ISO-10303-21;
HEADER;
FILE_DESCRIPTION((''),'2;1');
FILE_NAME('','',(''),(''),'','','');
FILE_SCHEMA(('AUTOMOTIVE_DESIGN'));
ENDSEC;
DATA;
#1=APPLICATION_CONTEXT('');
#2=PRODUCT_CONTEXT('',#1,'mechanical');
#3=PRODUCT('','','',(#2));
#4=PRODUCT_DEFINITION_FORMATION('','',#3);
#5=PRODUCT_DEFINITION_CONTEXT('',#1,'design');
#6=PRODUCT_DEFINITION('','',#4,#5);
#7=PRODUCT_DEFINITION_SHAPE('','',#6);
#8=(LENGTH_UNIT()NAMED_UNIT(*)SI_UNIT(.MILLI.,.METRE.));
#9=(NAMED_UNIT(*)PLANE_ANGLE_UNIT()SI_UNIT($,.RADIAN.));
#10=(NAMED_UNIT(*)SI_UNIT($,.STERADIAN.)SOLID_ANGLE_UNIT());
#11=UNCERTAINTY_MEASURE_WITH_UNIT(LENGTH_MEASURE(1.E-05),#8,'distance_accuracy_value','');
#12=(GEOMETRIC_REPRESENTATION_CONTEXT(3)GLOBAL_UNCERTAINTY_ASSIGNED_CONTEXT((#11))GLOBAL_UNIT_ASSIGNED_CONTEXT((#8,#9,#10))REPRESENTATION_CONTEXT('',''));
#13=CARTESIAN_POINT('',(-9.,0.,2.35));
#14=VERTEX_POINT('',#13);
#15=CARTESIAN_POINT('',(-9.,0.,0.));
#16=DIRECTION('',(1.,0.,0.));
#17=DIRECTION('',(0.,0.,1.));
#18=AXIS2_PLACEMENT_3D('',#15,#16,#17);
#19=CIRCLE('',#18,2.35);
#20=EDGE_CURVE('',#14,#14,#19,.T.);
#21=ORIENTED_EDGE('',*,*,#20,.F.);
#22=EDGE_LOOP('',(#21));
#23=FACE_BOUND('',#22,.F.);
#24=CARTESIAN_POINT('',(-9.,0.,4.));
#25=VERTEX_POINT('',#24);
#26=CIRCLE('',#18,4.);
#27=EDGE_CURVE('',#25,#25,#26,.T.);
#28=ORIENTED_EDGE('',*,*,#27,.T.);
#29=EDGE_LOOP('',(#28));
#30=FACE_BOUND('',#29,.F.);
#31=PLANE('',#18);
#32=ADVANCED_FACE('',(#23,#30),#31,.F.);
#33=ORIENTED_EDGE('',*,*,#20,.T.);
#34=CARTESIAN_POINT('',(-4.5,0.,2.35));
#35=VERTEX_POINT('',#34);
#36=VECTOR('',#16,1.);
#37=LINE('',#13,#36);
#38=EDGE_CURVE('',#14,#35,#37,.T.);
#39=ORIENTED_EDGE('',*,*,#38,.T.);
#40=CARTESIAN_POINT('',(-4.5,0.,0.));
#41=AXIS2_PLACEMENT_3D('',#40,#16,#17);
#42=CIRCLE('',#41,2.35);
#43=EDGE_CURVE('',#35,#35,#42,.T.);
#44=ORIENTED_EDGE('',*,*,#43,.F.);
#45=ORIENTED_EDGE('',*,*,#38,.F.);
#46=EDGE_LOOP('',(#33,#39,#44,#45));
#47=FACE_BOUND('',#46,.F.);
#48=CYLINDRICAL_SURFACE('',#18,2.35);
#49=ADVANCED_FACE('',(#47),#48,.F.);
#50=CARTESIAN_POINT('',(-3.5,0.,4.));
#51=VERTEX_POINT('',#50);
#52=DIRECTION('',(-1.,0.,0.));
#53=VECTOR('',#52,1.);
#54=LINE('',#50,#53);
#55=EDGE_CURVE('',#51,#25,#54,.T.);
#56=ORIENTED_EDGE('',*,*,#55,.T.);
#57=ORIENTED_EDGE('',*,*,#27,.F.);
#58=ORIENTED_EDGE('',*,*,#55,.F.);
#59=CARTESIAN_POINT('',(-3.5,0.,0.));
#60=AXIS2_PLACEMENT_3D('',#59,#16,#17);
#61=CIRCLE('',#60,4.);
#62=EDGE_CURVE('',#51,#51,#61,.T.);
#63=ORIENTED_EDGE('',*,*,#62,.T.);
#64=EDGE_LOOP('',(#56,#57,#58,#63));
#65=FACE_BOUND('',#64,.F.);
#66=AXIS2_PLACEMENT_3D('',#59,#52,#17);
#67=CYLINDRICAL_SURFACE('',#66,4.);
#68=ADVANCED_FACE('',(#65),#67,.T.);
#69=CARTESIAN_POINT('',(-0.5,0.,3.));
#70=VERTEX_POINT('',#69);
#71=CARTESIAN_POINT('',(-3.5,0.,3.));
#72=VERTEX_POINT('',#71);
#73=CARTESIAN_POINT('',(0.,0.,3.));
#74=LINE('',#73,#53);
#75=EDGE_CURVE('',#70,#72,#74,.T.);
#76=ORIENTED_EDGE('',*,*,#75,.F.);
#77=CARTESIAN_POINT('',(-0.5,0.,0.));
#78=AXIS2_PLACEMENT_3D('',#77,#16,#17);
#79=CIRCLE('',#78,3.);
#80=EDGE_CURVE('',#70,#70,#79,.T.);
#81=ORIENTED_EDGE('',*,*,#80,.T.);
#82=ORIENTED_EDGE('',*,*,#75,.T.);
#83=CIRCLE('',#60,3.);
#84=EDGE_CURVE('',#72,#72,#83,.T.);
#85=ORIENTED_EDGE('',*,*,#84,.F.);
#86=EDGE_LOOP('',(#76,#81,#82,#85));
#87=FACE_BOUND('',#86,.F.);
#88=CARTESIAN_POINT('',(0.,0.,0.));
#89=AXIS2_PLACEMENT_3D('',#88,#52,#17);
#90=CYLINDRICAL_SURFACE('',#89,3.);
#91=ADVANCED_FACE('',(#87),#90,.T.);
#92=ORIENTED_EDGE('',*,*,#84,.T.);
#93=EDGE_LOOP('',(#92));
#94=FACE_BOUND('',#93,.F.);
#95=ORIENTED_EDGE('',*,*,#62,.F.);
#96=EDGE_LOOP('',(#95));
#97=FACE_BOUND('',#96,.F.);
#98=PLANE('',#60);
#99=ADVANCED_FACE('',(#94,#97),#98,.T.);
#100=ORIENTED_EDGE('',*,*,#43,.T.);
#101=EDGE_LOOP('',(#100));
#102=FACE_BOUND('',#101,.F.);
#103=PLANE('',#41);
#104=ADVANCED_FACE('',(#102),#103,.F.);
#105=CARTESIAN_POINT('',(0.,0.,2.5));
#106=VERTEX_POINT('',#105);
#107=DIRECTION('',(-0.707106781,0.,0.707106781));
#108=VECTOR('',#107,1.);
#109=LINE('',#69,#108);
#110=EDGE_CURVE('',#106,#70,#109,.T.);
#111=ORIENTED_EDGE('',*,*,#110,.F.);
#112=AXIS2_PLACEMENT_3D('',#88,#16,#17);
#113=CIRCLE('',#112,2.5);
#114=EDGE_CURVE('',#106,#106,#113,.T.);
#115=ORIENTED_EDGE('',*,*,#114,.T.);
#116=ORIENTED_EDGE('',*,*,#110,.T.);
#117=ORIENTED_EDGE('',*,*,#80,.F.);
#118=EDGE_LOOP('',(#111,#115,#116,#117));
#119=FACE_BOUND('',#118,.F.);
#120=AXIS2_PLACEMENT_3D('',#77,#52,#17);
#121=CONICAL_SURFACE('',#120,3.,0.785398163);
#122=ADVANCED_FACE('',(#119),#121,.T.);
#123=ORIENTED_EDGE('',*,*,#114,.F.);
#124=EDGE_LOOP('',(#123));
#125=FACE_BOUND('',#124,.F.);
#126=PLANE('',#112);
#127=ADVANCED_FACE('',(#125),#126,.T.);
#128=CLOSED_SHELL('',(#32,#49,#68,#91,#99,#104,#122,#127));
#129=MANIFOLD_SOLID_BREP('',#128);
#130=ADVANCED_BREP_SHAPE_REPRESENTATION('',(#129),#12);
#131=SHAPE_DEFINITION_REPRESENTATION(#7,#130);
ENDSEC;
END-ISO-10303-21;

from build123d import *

# Parameters (mm, degrees)
F2_SIZE = 0.5


with BuildPart() as f1:
    # F0 (on Front) → F1 (revolve)
    with BuildSketch(Plane.XZ):
        Polygon((-4.5, 0), (0, 0), (0, 3), (-3.5, 3), (-3.5, 4), (-9, 4), (-9, 2.35), (-4.5, 2.35), align=None)
    revolve(axis=Axis((0.593239, 0, 0), (1, 0, 0)))

    # F2
    f2_edges = [f1.edges().sort_by_distance(p)[0] for p in [
        (0, 0, -3),
    ]]
    chamfer(f2_edges, length=F2_SIZE)


solid = f1.part
